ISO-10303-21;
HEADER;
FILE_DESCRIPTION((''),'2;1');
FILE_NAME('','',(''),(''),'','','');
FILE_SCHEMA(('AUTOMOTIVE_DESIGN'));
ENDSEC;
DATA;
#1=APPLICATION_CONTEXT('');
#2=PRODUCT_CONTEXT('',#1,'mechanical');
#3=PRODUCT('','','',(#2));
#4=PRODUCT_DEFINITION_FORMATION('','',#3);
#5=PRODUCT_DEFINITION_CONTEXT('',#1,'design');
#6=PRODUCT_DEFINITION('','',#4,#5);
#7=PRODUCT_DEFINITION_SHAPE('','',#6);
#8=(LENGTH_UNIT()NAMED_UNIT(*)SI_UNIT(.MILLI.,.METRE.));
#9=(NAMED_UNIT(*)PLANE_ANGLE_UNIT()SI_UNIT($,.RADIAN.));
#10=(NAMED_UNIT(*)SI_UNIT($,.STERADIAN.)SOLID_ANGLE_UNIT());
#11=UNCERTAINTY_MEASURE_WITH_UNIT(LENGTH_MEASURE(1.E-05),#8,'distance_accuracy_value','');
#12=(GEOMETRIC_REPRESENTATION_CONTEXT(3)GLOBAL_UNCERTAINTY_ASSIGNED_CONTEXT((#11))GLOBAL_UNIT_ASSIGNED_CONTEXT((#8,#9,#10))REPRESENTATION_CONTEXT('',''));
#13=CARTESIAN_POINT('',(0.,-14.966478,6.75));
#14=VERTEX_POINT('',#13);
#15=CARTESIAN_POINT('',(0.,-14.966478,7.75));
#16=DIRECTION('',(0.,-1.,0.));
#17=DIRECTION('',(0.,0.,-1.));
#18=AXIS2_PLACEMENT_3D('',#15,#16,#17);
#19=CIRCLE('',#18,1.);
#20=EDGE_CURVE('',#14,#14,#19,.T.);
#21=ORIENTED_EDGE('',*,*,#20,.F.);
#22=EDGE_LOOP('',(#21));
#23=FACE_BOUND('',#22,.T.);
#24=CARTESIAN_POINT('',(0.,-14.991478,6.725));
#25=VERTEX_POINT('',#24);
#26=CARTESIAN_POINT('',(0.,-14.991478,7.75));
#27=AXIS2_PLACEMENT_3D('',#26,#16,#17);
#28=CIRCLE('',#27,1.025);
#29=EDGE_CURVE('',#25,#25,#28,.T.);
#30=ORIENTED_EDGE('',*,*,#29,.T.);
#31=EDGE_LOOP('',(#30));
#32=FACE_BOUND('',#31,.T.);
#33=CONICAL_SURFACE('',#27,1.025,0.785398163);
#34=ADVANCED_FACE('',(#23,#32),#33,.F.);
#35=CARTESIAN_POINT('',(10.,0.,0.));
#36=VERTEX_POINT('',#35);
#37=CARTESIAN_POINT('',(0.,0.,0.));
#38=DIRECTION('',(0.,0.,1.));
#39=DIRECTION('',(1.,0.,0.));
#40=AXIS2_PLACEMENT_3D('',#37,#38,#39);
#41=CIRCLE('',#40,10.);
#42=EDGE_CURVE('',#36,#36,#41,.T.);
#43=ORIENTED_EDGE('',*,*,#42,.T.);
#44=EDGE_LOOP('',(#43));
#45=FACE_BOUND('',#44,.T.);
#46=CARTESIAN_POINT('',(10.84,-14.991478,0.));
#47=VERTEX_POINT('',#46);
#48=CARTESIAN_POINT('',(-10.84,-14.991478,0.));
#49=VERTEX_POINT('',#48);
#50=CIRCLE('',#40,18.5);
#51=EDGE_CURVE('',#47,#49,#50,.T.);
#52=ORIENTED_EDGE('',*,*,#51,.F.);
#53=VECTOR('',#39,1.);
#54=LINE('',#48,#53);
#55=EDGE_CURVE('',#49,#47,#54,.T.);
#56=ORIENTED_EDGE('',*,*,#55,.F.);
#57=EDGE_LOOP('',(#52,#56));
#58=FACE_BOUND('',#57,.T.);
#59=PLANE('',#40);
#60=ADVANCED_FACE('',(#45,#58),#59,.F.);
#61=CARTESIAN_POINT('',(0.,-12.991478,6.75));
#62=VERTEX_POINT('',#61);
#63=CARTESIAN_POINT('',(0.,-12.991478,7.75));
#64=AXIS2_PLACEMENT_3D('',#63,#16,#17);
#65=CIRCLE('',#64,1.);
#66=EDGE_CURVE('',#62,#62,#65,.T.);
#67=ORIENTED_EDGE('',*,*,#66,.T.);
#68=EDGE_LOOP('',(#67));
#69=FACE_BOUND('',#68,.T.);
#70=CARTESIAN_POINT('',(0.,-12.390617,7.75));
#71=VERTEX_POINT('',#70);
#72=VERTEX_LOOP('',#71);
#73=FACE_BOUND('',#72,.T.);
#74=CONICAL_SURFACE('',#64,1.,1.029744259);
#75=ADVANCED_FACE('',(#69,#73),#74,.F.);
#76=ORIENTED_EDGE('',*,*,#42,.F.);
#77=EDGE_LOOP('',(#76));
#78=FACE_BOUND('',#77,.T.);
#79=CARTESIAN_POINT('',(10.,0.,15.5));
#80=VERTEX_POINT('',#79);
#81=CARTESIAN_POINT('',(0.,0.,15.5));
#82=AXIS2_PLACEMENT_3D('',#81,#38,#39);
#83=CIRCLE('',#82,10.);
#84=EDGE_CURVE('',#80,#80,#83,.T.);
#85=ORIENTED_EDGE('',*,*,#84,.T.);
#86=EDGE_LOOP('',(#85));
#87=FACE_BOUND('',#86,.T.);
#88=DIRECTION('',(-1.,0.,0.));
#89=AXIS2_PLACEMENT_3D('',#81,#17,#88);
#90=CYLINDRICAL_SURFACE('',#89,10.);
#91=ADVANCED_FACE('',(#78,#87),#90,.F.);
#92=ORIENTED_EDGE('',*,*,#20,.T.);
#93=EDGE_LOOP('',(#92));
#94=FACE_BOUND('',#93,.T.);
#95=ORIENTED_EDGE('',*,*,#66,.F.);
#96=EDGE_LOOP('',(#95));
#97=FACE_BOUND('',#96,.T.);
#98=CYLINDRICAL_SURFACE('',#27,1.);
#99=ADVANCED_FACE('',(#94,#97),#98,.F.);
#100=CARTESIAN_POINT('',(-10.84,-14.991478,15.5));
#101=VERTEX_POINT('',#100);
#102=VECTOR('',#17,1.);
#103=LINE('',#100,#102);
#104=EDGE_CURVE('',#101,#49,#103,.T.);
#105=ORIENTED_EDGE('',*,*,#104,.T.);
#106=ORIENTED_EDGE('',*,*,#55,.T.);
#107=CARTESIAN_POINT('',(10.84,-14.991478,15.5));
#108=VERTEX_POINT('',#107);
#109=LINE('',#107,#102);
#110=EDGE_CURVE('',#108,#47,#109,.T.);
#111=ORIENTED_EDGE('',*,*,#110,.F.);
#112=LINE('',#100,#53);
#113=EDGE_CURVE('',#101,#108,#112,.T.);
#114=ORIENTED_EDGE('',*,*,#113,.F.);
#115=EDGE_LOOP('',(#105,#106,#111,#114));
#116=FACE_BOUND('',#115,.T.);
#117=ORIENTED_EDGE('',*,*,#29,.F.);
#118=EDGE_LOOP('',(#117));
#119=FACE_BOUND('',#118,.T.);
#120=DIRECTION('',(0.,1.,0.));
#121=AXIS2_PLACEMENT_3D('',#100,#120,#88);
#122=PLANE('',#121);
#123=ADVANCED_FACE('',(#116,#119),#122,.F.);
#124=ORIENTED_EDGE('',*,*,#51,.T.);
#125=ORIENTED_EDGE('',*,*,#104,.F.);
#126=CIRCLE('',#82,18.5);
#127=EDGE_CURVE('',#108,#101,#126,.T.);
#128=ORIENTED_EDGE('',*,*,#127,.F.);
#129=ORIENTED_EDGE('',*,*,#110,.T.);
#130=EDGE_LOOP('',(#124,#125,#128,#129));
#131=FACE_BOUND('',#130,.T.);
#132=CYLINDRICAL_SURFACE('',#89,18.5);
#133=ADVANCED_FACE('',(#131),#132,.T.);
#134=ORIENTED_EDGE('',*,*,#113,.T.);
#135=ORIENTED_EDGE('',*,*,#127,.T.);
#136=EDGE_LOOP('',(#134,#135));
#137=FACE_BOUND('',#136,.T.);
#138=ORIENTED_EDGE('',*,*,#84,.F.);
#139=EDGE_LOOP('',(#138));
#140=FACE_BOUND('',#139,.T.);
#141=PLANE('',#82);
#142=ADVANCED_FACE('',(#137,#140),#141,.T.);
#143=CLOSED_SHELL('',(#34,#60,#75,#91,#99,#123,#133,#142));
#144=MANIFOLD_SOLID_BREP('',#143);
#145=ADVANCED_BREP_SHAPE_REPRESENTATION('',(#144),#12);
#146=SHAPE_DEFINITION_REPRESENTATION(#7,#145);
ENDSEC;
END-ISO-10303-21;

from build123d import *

# Parameters (mm, degrees)
SKETCH1_R                          = 10
BOSS_EXTRUDE1_DEPTH                = 15.5
F_2_0_2_DIAMETER_HOLE1_D           = 2
F_2_0_2_DIAMETER_HOLE1_DEPTH       = 2
F_2_0_2_DIAMETER_HOLE1_CSINK_D     = 2.05
F_2_0_2_DIAMETER_HOLE1_CSINK_ANGLE = 90
F_2_0_2_DIAMETER_HOLE1_TIP         = 0.600860619


with BuildPart() as part:
    # Sketch1 → Boss-Extrude1 (new body)
    with BuildSketch(Plane.XY):
        with BuildLine():
            Line((-10.84, -14.991477579), (10.84, -14.991477579))
            ThreePointArc((10.84, -14.991477579), (0, 18.5), (-10.84, -14.991477579))
        make_face()
        Circle(SKETCH1_R, mode=Mode.SUBTRACT)
    extrude(amount=BOSS_EXTRUDE1_DEPTH)

    # Ø2.0 (2) Diameter Hole1
    with Locations(Plane(origin=(0, -14.991477579, 0), x_dir=(-1, 0, 0), z_dir=(0, -1, 0))):
        with Locations((0, -7.75)):
            CounterSinkHole(F_2_0_2_DIAMETER_HOLE1_D / 2, F_2_0_2_DIAMETER_HOLE1_CSINK_D / 2, depth=F_2_0_2_DIAMETER_HOLE1_DEPTH, counter_sink_angle=F_2_0_2_DIAMETER_HOLE1_CSINK_ANGLE)
            with Locations((0, 0, -(F_2_0_2_DIAMETER_HOLE1_DEPTH + F_2_0_2_DIAMETER_HOLE1_TIP / 2))):  # 118° drill point
                Cone(0, F_2_0_2_DIAMETER_HOLE1_D / 2, F_2_0_2_DIAMETER_HOLE1_TIP, mode=Mode.SUBTRACT)


solid = part.part
